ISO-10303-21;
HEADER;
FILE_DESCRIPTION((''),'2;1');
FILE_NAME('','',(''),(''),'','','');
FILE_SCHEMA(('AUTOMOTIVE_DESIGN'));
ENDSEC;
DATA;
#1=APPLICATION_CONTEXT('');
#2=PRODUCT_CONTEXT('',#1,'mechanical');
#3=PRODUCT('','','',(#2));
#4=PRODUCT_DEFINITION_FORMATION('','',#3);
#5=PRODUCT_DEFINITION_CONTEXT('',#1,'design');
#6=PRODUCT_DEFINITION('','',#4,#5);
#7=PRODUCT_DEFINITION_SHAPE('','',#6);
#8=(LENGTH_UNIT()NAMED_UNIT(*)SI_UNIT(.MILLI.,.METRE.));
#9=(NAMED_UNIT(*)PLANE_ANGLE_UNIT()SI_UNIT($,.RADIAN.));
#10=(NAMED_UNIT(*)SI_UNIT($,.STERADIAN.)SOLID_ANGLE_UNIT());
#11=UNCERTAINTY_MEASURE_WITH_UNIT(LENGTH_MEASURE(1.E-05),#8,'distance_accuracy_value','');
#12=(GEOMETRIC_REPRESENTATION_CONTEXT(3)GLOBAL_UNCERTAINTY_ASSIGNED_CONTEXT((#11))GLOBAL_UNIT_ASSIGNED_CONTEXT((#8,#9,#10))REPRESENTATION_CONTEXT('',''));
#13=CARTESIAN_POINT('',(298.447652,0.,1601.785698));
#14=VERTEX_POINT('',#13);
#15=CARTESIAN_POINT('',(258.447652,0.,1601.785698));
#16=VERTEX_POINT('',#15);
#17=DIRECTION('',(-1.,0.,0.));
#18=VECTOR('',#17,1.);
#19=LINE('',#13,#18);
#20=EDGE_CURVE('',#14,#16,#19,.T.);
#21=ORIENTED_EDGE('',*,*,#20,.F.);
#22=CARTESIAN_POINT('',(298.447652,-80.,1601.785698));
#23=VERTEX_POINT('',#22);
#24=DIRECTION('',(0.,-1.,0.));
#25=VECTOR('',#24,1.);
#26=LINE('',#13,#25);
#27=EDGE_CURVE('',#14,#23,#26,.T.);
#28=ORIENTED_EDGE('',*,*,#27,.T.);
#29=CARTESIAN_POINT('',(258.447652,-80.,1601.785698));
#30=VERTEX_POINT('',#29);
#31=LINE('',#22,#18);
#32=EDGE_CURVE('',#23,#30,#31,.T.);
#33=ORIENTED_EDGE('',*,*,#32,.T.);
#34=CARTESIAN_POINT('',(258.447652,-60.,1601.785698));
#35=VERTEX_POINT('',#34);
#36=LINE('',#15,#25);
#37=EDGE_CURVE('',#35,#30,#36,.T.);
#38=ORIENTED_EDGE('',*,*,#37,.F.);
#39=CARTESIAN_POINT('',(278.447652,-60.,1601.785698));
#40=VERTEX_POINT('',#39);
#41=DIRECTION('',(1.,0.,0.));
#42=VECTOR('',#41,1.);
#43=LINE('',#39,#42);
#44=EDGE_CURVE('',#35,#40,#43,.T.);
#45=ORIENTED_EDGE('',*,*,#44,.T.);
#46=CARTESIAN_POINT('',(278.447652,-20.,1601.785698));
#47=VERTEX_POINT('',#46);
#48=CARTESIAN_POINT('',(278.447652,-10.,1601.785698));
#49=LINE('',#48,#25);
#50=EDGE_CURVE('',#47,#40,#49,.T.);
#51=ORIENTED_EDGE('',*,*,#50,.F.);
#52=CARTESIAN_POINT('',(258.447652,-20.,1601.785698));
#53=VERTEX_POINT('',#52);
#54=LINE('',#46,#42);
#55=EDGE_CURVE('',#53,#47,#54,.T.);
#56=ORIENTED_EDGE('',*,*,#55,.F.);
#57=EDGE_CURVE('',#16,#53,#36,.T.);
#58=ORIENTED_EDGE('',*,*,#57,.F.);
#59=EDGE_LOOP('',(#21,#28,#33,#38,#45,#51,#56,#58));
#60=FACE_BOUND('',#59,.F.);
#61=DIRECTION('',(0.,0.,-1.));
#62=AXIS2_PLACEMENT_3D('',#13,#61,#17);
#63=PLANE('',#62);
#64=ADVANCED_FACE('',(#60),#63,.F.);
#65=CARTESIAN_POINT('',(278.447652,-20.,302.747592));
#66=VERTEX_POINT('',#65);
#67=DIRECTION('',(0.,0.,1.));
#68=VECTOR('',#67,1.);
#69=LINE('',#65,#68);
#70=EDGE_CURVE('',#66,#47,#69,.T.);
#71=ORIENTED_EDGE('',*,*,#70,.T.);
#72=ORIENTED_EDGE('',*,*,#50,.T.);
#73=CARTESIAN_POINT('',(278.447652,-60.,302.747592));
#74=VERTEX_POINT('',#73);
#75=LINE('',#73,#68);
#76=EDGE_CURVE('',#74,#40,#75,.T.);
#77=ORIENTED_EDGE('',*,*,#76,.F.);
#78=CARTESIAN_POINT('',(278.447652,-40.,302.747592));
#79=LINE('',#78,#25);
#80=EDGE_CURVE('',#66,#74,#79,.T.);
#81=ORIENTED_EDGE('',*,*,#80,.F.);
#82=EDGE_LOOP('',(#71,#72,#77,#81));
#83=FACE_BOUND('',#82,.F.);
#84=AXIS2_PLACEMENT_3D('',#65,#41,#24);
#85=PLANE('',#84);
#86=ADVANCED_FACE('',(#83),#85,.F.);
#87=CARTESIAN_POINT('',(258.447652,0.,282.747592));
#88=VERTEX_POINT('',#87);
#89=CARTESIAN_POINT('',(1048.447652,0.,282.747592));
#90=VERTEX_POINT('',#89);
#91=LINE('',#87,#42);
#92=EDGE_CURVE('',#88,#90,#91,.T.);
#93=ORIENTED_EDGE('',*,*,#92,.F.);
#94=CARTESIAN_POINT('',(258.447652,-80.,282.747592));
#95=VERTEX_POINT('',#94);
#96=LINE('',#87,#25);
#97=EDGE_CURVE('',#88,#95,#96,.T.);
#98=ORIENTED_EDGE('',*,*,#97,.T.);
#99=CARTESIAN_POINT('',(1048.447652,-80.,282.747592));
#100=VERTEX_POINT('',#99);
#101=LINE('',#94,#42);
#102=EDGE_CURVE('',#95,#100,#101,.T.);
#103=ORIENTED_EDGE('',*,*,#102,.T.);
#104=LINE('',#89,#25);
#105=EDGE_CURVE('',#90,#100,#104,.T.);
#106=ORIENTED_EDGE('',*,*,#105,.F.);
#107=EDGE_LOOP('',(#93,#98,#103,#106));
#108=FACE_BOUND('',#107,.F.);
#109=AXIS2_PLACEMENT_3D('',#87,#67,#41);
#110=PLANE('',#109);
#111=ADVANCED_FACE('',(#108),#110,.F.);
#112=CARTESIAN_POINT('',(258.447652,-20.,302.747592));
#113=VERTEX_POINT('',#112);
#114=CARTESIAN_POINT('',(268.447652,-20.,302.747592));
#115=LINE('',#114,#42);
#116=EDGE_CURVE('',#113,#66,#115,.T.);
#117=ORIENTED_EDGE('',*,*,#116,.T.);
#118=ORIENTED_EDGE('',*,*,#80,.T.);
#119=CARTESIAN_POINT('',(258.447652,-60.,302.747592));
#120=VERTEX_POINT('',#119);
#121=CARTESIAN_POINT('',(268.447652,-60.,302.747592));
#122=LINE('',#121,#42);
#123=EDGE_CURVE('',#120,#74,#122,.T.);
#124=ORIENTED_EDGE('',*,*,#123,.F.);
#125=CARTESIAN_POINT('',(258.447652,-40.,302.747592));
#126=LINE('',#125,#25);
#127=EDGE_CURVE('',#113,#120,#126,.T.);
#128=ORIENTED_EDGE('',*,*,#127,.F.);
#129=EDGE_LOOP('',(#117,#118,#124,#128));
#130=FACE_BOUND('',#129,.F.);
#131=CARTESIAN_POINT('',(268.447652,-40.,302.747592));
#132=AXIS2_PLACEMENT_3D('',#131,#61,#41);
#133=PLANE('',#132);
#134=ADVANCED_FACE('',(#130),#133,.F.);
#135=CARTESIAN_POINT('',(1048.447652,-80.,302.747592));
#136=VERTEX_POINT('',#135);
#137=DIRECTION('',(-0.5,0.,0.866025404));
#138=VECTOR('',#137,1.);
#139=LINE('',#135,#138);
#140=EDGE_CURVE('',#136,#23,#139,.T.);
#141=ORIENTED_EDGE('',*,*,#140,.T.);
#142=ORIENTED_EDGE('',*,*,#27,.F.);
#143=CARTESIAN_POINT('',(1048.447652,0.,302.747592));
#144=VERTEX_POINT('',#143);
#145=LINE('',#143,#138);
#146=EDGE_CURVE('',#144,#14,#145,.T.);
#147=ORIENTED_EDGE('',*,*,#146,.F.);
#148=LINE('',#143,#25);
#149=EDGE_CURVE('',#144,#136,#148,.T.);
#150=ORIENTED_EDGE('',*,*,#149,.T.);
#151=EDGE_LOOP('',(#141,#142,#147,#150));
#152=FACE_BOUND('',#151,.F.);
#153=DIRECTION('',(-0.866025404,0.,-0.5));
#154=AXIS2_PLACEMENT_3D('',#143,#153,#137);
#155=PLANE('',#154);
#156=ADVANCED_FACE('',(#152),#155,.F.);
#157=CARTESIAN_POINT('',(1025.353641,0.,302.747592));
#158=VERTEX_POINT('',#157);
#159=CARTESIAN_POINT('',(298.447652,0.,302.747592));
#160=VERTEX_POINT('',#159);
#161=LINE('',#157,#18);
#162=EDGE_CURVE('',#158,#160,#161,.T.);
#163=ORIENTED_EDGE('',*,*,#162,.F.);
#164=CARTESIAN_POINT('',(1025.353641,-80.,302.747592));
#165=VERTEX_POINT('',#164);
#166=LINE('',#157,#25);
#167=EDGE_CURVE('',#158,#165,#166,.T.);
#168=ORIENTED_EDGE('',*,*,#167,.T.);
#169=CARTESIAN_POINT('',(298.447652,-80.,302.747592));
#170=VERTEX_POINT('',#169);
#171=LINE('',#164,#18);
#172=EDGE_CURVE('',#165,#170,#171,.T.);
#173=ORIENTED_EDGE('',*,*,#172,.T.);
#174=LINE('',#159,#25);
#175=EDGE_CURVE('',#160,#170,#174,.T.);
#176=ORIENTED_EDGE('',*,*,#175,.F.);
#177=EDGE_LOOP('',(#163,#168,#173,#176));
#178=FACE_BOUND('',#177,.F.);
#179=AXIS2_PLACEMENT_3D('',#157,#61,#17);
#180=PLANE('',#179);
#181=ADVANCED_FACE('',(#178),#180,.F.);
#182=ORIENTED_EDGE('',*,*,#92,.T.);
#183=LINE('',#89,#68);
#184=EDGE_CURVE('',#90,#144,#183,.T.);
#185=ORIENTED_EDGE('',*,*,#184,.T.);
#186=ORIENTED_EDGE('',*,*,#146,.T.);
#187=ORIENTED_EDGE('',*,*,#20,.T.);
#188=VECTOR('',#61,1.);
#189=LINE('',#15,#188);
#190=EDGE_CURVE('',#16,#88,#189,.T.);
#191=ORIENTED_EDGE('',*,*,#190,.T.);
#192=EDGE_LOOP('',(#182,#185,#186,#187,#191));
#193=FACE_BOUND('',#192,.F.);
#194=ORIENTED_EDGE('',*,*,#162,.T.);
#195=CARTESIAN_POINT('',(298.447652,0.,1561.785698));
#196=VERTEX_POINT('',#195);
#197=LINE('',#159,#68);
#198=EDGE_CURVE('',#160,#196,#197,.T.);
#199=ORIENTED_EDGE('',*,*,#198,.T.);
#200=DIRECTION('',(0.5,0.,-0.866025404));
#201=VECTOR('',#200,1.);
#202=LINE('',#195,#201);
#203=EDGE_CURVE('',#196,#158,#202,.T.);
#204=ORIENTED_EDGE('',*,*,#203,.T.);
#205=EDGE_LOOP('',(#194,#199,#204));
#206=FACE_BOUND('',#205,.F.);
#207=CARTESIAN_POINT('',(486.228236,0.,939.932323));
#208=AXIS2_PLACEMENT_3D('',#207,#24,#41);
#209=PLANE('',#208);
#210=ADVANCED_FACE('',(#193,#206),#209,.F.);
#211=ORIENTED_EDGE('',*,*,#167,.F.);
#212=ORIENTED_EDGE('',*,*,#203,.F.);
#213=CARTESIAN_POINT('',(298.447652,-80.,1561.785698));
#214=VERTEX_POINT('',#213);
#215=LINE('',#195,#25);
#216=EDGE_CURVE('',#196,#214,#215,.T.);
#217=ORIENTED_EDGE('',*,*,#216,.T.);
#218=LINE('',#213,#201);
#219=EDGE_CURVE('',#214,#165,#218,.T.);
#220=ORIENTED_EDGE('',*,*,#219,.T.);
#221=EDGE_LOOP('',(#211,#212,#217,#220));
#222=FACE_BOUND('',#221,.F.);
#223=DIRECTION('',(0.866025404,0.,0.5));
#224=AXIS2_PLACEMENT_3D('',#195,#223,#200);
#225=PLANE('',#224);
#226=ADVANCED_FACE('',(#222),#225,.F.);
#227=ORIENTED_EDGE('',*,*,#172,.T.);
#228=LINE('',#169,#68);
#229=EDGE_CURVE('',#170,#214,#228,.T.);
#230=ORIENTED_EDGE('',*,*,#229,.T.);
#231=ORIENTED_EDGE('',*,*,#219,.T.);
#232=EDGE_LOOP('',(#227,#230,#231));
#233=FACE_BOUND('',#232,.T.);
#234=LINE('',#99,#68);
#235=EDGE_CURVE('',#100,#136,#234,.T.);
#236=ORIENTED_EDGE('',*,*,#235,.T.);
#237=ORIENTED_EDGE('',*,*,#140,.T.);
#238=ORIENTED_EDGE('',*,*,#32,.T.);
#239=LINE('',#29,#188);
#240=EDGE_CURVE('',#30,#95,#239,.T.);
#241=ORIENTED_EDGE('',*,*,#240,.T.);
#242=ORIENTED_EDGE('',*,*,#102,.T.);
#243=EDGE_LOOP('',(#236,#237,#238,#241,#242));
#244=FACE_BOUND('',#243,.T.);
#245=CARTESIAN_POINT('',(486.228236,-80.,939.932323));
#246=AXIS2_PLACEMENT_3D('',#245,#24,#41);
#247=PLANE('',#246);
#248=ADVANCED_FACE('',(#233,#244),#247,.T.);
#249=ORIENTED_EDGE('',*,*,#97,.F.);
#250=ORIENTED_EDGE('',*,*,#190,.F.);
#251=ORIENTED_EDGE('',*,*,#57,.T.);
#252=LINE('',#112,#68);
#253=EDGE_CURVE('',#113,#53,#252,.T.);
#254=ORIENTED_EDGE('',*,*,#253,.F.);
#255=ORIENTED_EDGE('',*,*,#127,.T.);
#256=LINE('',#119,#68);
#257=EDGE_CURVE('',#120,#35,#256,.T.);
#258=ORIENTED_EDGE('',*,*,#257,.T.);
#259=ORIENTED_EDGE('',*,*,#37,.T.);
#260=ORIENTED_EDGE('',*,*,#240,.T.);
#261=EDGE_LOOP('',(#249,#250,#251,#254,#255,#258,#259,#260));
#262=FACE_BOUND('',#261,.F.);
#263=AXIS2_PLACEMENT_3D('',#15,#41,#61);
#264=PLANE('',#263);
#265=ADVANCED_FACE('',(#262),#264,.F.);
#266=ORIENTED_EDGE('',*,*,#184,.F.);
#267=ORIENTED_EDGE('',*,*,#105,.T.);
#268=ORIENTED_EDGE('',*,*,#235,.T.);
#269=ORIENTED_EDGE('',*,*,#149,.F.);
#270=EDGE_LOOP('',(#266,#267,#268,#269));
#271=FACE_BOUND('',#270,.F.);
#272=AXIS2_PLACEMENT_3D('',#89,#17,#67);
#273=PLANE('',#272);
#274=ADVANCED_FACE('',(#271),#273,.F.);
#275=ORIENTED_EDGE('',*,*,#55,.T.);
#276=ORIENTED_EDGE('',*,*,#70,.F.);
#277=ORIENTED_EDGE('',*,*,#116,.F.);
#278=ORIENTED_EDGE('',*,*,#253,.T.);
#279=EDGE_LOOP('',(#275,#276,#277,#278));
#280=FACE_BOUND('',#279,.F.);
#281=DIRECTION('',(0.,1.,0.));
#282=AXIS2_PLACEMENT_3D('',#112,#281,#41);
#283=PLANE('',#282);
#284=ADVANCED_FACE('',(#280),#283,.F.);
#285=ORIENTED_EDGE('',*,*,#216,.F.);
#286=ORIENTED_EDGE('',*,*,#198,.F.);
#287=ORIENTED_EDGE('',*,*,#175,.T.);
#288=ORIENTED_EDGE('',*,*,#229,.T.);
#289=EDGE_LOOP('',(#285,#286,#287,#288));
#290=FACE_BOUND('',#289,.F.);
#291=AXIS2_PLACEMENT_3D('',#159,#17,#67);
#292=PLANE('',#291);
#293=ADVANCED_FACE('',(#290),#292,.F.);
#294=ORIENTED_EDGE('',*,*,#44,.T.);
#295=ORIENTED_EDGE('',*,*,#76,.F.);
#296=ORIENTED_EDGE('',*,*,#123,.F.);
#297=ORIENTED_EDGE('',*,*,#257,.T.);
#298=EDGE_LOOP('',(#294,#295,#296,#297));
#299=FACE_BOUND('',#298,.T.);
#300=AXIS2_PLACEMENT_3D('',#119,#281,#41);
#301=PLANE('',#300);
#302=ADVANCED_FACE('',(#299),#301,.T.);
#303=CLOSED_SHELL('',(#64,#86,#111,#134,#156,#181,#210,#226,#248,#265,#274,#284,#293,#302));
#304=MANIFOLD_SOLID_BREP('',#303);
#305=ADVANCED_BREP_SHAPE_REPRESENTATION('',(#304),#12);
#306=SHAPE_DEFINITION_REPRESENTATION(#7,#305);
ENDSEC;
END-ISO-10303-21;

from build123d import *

# Parameters (mm, degrees)
F1_DEPTH = 80
F3_START = -20
F2_W     = 20
F2_H     = 40
F3_DEPTH = 1299.0391056767


with BuildPart() as f1:
    # F0 (on Front) → F1 (new body)
    with BuildSketch(Plane.XZ):
        Polygon((298.4476520539, 1601.7856981162), (258.4476520539, 1601.7856981162), (258.4476520539, 302.7475924396), (298.4476520539, 302.7475924396), (298.4476520539, 1561.7856981162), (1025.3536412863, 302.7475924396), (1048.4476520539, 302.7475924396), align=None)
        Polygon((298.4476520539, 302.7475924396), (258.4476520539, 302.7475924396), (258.4476520539, 282.7475924396), (1048.4476520539, 282.7475924396), (1048.4476520539, 302.7475924396), (1025.3536412863, 302.7475924396), align=None)
    extrude(amount=F1_DEPTH)

    # F2 (on face) → F3 (cut)
    with BuildSketch(Plane(origin=(0, 0, 282.7475924396), x_dir=(1, 0, 0), z_dir=(0, 0, -1)).offset(F3_START)):
        with Locations((268.4476520539, 40)):
            Rectangle(F2_W, F2_H)
    extrude(amount=-F3_DEPTH, mode=Mode.SUBTRACT)


solid = f1.part
